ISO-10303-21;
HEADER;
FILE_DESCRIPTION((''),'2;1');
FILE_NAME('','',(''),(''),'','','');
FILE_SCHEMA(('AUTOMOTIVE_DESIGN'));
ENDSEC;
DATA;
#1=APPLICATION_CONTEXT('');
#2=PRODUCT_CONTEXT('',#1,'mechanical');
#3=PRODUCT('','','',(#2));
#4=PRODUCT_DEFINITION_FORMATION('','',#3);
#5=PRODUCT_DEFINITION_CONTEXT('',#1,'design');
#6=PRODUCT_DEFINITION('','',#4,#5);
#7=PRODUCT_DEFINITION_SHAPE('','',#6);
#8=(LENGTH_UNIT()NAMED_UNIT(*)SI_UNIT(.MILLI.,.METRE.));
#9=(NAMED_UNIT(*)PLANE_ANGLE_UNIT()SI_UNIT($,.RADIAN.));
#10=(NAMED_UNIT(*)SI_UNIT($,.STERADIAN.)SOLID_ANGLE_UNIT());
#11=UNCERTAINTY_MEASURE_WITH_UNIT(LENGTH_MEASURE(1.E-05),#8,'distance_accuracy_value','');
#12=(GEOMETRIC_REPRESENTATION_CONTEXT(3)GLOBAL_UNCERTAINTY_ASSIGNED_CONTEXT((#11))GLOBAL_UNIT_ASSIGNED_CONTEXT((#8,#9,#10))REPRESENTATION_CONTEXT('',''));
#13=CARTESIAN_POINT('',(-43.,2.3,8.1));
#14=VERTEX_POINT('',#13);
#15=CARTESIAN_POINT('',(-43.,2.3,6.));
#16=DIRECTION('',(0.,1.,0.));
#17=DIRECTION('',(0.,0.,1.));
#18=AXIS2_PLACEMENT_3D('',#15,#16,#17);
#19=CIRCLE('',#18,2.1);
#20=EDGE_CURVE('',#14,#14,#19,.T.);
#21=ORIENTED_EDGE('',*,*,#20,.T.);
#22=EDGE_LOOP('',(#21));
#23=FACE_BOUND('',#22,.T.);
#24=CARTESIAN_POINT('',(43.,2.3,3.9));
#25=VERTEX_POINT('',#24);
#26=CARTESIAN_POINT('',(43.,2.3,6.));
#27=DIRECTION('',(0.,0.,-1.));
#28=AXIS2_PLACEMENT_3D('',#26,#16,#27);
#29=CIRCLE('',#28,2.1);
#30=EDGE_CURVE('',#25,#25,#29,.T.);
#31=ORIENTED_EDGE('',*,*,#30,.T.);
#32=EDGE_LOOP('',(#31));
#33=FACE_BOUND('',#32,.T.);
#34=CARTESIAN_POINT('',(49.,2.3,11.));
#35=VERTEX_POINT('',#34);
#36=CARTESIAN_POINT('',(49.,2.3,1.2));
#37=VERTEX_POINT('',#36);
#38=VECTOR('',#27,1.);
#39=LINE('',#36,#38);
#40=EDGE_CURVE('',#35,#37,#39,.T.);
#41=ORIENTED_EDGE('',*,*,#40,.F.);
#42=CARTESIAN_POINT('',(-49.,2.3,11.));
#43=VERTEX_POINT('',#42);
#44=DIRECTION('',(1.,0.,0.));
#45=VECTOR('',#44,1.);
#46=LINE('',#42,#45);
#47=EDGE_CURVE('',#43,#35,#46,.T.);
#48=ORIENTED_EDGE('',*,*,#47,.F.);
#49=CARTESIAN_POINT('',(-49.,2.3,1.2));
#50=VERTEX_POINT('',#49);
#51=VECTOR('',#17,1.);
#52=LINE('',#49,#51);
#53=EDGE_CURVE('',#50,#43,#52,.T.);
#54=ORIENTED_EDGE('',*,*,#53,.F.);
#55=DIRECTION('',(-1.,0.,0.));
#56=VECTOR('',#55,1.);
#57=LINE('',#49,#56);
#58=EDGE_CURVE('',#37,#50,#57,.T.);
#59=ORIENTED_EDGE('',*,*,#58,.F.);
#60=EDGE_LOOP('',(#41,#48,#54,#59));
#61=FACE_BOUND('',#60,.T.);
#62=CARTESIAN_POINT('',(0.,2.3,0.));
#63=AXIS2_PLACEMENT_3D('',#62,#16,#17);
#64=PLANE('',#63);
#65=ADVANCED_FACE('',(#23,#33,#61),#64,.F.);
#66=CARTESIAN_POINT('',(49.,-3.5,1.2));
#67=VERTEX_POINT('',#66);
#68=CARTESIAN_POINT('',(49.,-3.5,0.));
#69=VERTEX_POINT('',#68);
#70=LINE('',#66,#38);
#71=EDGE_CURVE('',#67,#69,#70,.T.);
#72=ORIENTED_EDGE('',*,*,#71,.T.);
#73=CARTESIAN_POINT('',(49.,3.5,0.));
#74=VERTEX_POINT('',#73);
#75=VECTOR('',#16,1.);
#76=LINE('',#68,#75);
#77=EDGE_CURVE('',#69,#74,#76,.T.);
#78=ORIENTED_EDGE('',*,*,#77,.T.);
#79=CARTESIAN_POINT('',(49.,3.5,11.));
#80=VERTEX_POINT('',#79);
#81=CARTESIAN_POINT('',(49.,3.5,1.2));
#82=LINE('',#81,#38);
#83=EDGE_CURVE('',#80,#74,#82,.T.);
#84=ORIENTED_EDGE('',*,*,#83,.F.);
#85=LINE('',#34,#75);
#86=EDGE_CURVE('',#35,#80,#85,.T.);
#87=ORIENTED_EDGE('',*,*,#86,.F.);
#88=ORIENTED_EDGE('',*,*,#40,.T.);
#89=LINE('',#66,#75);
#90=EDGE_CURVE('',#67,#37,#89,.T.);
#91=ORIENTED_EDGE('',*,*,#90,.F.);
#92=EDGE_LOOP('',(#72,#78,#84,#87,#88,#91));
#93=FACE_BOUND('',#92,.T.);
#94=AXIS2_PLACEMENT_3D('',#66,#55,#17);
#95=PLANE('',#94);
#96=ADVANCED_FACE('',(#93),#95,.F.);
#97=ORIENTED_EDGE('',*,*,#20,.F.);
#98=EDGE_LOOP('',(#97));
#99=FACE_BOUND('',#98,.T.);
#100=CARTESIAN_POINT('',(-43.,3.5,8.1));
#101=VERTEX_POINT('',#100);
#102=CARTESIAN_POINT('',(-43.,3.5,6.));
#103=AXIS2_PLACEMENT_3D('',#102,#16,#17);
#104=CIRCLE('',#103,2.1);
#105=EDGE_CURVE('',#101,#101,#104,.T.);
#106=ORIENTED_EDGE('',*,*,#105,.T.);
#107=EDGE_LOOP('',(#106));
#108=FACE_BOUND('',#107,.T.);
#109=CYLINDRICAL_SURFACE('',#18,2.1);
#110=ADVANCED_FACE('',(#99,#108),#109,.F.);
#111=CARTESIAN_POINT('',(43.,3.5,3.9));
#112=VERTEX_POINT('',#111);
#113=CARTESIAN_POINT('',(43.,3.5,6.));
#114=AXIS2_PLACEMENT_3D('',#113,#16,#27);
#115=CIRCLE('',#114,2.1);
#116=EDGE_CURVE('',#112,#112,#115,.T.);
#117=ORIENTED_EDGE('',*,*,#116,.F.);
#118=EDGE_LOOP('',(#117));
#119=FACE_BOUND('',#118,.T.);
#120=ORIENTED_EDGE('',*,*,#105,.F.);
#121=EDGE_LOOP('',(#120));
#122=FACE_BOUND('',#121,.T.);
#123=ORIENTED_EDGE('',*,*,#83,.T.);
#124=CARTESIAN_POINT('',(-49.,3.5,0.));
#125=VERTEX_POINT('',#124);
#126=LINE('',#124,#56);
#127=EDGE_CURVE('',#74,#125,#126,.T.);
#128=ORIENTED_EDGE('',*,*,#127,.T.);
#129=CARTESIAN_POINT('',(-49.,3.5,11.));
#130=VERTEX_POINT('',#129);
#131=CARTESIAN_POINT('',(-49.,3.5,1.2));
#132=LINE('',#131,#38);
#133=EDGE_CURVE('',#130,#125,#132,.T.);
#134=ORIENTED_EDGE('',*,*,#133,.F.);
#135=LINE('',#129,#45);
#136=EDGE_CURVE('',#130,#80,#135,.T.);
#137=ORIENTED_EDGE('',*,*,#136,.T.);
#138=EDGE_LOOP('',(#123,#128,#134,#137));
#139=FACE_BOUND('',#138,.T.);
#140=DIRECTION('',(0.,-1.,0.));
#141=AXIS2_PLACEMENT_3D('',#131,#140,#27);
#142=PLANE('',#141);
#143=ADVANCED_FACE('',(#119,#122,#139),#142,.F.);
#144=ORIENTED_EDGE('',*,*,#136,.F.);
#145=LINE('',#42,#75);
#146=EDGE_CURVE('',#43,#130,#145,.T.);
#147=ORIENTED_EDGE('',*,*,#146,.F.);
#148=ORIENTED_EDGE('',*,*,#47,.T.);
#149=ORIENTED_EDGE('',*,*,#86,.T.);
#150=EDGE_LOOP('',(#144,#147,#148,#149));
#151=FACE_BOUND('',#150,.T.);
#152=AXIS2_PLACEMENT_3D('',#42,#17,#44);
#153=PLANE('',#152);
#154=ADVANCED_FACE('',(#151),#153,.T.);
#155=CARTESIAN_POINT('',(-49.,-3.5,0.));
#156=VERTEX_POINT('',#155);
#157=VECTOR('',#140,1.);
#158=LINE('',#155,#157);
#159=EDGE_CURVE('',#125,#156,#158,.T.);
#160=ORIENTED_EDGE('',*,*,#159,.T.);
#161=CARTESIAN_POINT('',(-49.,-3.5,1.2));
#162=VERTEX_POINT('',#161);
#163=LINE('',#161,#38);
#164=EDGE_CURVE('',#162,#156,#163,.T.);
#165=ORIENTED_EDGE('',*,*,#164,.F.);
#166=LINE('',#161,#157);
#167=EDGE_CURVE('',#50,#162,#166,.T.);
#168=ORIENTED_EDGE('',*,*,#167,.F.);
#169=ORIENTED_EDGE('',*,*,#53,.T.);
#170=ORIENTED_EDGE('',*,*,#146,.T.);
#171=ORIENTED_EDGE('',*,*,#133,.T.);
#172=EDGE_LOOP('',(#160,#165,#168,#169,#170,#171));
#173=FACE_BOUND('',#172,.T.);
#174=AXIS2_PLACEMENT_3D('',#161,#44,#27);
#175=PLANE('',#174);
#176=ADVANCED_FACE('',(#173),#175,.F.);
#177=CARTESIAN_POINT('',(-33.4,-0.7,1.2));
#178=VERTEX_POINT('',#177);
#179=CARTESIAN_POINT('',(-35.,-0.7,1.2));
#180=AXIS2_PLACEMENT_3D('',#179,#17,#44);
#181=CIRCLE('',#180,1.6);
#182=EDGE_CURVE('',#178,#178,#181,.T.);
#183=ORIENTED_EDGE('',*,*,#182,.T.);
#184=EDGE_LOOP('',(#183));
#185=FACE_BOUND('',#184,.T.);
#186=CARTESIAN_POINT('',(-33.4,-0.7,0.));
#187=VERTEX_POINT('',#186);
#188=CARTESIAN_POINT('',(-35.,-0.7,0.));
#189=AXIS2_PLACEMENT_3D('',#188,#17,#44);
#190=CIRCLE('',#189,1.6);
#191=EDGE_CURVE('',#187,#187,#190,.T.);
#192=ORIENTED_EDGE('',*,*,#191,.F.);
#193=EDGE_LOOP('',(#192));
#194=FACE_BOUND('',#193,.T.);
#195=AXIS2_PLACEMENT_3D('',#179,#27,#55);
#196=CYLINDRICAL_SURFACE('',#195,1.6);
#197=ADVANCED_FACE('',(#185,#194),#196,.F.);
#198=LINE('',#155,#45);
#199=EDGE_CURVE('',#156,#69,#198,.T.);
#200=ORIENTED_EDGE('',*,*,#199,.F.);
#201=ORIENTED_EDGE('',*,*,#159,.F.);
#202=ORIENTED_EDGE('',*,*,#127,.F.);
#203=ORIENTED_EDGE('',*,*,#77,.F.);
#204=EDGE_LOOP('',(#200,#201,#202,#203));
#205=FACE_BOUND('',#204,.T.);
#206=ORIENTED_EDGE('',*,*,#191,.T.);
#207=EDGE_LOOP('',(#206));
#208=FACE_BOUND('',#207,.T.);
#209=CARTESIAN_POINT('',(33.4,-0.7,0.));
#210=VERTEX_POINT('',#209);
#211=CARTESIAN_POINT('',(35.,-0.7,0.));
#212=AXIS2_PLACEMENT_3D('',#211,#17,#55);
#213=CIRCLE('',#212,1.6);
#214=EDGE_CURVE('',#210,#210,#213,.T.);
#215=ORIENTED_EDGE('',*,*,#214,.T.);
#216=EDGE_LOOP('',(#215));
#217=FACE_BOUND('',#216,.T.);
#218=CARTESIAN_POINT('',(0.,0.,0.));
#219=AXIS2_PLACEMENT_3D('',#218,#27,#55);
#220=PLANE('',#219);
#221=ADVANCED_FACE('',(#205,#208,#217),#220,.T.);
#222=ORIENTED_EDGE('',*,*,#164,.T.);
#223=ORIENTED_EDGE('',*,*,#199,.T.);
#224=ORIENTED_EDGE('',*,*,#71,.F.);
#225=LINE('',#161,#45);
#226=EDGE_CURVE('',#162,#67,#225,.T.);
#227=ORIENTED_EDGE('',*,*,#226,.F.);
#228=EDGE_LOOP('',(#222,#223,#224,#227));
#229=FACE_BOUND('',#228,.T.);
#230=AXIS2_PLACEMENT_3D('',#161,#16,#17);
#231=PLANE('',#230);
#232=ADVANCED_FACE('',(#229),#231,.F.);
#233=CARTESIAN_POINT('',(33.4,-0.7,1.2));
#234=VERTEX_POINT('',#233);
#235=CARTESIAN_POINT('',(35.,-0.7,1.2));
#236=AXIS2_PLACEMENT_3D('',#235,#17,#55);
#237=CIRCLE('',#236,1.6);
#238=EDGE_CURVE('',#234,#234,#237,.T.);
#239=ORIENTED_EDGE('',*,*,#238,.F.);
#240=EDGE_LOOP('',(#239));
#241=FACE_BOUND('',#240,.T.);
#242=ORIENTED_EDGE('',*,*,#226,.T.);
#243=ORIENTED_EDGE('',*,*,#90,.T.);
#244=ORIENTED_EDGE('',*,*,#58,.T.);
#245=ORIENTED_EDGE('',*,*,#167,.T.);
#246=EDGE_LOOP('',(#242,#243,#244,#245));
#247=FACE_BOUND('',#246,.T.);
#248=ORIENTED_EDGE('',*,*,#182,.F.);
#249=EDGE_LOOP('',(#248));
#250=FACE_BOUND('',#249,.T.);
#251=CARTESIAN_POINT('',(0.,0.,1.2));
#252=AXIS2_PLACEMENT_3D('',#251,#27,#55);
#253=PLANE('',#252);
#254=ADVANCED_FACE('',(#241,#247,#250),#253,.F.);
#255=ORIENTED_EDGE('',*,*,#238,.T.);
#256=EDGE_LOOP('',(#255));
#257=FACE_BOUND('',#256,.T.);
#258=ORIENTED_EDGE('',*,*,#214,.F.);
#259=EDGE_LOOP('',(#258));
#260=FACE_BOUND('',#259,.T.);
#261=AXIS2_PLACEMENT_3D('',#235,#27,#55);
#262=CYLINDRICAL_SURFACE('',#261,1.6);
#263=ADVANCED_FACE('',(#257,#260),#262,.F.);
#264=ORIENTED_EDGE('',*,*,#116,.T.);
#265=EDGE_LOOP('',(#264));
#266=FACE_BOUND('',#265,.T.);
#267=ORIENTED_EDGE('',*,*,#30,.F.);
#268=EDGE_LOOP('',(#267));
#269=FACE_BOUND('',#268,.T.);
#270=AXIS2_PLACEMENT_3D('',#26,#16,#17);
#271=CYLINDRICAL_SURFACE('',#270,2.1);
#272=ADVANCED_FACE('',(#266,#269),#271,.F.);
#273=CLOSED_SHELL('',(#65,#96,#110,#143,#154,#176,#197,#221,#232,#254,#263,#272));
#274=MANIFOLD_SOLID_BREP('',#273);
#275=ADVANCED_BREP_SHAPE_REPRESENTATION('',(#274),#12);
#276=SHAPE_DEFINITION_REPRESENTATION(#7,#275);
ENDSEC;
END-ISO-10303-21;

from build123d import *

# Parameters (mm, degrees)
SKETCH1_W           = 98
SKETCH1_H           = 7
SKETCH1_R           = 1.6
BOSS_EXTRUDE1_DEPTH = 1.2
SKETCH2_W           = 98
SKETCH2_H           = 9.8
SKETCH2_R           = 2.1
BOSS_EXTRUDE2_DEPTH = 1.2


with BuildPart() as part:
    # Sketch1 → Boss-Extrude1 (new body)
    with BuildSketch(Plane.XY):
        Rectangle(SKETCH1_W, SKETCH1_H)
        with Locations((-35, -0.7)):
            Circle(SKETCH1_R, mode=Mode.SUBTRACT)
        with Locations(Location((35, -0.7, 0), (0, 0, 180))):
            Circle(SKETCH1_R, mode=Mode.SUBTRACT)
    extrude(amount=BOSS_EXTRUDE1_DEPTH)

    # Sketch2 → Boss-Extrude2 (add)
    with BuildSketch(Plane(origin=(0, 3.5, 0), x_dir=(1, 0, 0), z_dir=(0, 1, 0))):
        with Locations((0, -6.1)):
            Rectangle(SKETCH2_W, SKETCH2_H)
        with Locations(Location((-43, -6, 0), (0, 0, 270))):
            Circle(SKETCH2_R, mode=Mode.SUBTRACT)
        with Locations(Location((43, -6, 0), (0, 0, 90))):
            Circle(SKETCH2_R, mode=Mode.SUBTRACT)
    extrude(amount=-BOSS_EXTRUDE2_DEPTH)


solid = part.part
